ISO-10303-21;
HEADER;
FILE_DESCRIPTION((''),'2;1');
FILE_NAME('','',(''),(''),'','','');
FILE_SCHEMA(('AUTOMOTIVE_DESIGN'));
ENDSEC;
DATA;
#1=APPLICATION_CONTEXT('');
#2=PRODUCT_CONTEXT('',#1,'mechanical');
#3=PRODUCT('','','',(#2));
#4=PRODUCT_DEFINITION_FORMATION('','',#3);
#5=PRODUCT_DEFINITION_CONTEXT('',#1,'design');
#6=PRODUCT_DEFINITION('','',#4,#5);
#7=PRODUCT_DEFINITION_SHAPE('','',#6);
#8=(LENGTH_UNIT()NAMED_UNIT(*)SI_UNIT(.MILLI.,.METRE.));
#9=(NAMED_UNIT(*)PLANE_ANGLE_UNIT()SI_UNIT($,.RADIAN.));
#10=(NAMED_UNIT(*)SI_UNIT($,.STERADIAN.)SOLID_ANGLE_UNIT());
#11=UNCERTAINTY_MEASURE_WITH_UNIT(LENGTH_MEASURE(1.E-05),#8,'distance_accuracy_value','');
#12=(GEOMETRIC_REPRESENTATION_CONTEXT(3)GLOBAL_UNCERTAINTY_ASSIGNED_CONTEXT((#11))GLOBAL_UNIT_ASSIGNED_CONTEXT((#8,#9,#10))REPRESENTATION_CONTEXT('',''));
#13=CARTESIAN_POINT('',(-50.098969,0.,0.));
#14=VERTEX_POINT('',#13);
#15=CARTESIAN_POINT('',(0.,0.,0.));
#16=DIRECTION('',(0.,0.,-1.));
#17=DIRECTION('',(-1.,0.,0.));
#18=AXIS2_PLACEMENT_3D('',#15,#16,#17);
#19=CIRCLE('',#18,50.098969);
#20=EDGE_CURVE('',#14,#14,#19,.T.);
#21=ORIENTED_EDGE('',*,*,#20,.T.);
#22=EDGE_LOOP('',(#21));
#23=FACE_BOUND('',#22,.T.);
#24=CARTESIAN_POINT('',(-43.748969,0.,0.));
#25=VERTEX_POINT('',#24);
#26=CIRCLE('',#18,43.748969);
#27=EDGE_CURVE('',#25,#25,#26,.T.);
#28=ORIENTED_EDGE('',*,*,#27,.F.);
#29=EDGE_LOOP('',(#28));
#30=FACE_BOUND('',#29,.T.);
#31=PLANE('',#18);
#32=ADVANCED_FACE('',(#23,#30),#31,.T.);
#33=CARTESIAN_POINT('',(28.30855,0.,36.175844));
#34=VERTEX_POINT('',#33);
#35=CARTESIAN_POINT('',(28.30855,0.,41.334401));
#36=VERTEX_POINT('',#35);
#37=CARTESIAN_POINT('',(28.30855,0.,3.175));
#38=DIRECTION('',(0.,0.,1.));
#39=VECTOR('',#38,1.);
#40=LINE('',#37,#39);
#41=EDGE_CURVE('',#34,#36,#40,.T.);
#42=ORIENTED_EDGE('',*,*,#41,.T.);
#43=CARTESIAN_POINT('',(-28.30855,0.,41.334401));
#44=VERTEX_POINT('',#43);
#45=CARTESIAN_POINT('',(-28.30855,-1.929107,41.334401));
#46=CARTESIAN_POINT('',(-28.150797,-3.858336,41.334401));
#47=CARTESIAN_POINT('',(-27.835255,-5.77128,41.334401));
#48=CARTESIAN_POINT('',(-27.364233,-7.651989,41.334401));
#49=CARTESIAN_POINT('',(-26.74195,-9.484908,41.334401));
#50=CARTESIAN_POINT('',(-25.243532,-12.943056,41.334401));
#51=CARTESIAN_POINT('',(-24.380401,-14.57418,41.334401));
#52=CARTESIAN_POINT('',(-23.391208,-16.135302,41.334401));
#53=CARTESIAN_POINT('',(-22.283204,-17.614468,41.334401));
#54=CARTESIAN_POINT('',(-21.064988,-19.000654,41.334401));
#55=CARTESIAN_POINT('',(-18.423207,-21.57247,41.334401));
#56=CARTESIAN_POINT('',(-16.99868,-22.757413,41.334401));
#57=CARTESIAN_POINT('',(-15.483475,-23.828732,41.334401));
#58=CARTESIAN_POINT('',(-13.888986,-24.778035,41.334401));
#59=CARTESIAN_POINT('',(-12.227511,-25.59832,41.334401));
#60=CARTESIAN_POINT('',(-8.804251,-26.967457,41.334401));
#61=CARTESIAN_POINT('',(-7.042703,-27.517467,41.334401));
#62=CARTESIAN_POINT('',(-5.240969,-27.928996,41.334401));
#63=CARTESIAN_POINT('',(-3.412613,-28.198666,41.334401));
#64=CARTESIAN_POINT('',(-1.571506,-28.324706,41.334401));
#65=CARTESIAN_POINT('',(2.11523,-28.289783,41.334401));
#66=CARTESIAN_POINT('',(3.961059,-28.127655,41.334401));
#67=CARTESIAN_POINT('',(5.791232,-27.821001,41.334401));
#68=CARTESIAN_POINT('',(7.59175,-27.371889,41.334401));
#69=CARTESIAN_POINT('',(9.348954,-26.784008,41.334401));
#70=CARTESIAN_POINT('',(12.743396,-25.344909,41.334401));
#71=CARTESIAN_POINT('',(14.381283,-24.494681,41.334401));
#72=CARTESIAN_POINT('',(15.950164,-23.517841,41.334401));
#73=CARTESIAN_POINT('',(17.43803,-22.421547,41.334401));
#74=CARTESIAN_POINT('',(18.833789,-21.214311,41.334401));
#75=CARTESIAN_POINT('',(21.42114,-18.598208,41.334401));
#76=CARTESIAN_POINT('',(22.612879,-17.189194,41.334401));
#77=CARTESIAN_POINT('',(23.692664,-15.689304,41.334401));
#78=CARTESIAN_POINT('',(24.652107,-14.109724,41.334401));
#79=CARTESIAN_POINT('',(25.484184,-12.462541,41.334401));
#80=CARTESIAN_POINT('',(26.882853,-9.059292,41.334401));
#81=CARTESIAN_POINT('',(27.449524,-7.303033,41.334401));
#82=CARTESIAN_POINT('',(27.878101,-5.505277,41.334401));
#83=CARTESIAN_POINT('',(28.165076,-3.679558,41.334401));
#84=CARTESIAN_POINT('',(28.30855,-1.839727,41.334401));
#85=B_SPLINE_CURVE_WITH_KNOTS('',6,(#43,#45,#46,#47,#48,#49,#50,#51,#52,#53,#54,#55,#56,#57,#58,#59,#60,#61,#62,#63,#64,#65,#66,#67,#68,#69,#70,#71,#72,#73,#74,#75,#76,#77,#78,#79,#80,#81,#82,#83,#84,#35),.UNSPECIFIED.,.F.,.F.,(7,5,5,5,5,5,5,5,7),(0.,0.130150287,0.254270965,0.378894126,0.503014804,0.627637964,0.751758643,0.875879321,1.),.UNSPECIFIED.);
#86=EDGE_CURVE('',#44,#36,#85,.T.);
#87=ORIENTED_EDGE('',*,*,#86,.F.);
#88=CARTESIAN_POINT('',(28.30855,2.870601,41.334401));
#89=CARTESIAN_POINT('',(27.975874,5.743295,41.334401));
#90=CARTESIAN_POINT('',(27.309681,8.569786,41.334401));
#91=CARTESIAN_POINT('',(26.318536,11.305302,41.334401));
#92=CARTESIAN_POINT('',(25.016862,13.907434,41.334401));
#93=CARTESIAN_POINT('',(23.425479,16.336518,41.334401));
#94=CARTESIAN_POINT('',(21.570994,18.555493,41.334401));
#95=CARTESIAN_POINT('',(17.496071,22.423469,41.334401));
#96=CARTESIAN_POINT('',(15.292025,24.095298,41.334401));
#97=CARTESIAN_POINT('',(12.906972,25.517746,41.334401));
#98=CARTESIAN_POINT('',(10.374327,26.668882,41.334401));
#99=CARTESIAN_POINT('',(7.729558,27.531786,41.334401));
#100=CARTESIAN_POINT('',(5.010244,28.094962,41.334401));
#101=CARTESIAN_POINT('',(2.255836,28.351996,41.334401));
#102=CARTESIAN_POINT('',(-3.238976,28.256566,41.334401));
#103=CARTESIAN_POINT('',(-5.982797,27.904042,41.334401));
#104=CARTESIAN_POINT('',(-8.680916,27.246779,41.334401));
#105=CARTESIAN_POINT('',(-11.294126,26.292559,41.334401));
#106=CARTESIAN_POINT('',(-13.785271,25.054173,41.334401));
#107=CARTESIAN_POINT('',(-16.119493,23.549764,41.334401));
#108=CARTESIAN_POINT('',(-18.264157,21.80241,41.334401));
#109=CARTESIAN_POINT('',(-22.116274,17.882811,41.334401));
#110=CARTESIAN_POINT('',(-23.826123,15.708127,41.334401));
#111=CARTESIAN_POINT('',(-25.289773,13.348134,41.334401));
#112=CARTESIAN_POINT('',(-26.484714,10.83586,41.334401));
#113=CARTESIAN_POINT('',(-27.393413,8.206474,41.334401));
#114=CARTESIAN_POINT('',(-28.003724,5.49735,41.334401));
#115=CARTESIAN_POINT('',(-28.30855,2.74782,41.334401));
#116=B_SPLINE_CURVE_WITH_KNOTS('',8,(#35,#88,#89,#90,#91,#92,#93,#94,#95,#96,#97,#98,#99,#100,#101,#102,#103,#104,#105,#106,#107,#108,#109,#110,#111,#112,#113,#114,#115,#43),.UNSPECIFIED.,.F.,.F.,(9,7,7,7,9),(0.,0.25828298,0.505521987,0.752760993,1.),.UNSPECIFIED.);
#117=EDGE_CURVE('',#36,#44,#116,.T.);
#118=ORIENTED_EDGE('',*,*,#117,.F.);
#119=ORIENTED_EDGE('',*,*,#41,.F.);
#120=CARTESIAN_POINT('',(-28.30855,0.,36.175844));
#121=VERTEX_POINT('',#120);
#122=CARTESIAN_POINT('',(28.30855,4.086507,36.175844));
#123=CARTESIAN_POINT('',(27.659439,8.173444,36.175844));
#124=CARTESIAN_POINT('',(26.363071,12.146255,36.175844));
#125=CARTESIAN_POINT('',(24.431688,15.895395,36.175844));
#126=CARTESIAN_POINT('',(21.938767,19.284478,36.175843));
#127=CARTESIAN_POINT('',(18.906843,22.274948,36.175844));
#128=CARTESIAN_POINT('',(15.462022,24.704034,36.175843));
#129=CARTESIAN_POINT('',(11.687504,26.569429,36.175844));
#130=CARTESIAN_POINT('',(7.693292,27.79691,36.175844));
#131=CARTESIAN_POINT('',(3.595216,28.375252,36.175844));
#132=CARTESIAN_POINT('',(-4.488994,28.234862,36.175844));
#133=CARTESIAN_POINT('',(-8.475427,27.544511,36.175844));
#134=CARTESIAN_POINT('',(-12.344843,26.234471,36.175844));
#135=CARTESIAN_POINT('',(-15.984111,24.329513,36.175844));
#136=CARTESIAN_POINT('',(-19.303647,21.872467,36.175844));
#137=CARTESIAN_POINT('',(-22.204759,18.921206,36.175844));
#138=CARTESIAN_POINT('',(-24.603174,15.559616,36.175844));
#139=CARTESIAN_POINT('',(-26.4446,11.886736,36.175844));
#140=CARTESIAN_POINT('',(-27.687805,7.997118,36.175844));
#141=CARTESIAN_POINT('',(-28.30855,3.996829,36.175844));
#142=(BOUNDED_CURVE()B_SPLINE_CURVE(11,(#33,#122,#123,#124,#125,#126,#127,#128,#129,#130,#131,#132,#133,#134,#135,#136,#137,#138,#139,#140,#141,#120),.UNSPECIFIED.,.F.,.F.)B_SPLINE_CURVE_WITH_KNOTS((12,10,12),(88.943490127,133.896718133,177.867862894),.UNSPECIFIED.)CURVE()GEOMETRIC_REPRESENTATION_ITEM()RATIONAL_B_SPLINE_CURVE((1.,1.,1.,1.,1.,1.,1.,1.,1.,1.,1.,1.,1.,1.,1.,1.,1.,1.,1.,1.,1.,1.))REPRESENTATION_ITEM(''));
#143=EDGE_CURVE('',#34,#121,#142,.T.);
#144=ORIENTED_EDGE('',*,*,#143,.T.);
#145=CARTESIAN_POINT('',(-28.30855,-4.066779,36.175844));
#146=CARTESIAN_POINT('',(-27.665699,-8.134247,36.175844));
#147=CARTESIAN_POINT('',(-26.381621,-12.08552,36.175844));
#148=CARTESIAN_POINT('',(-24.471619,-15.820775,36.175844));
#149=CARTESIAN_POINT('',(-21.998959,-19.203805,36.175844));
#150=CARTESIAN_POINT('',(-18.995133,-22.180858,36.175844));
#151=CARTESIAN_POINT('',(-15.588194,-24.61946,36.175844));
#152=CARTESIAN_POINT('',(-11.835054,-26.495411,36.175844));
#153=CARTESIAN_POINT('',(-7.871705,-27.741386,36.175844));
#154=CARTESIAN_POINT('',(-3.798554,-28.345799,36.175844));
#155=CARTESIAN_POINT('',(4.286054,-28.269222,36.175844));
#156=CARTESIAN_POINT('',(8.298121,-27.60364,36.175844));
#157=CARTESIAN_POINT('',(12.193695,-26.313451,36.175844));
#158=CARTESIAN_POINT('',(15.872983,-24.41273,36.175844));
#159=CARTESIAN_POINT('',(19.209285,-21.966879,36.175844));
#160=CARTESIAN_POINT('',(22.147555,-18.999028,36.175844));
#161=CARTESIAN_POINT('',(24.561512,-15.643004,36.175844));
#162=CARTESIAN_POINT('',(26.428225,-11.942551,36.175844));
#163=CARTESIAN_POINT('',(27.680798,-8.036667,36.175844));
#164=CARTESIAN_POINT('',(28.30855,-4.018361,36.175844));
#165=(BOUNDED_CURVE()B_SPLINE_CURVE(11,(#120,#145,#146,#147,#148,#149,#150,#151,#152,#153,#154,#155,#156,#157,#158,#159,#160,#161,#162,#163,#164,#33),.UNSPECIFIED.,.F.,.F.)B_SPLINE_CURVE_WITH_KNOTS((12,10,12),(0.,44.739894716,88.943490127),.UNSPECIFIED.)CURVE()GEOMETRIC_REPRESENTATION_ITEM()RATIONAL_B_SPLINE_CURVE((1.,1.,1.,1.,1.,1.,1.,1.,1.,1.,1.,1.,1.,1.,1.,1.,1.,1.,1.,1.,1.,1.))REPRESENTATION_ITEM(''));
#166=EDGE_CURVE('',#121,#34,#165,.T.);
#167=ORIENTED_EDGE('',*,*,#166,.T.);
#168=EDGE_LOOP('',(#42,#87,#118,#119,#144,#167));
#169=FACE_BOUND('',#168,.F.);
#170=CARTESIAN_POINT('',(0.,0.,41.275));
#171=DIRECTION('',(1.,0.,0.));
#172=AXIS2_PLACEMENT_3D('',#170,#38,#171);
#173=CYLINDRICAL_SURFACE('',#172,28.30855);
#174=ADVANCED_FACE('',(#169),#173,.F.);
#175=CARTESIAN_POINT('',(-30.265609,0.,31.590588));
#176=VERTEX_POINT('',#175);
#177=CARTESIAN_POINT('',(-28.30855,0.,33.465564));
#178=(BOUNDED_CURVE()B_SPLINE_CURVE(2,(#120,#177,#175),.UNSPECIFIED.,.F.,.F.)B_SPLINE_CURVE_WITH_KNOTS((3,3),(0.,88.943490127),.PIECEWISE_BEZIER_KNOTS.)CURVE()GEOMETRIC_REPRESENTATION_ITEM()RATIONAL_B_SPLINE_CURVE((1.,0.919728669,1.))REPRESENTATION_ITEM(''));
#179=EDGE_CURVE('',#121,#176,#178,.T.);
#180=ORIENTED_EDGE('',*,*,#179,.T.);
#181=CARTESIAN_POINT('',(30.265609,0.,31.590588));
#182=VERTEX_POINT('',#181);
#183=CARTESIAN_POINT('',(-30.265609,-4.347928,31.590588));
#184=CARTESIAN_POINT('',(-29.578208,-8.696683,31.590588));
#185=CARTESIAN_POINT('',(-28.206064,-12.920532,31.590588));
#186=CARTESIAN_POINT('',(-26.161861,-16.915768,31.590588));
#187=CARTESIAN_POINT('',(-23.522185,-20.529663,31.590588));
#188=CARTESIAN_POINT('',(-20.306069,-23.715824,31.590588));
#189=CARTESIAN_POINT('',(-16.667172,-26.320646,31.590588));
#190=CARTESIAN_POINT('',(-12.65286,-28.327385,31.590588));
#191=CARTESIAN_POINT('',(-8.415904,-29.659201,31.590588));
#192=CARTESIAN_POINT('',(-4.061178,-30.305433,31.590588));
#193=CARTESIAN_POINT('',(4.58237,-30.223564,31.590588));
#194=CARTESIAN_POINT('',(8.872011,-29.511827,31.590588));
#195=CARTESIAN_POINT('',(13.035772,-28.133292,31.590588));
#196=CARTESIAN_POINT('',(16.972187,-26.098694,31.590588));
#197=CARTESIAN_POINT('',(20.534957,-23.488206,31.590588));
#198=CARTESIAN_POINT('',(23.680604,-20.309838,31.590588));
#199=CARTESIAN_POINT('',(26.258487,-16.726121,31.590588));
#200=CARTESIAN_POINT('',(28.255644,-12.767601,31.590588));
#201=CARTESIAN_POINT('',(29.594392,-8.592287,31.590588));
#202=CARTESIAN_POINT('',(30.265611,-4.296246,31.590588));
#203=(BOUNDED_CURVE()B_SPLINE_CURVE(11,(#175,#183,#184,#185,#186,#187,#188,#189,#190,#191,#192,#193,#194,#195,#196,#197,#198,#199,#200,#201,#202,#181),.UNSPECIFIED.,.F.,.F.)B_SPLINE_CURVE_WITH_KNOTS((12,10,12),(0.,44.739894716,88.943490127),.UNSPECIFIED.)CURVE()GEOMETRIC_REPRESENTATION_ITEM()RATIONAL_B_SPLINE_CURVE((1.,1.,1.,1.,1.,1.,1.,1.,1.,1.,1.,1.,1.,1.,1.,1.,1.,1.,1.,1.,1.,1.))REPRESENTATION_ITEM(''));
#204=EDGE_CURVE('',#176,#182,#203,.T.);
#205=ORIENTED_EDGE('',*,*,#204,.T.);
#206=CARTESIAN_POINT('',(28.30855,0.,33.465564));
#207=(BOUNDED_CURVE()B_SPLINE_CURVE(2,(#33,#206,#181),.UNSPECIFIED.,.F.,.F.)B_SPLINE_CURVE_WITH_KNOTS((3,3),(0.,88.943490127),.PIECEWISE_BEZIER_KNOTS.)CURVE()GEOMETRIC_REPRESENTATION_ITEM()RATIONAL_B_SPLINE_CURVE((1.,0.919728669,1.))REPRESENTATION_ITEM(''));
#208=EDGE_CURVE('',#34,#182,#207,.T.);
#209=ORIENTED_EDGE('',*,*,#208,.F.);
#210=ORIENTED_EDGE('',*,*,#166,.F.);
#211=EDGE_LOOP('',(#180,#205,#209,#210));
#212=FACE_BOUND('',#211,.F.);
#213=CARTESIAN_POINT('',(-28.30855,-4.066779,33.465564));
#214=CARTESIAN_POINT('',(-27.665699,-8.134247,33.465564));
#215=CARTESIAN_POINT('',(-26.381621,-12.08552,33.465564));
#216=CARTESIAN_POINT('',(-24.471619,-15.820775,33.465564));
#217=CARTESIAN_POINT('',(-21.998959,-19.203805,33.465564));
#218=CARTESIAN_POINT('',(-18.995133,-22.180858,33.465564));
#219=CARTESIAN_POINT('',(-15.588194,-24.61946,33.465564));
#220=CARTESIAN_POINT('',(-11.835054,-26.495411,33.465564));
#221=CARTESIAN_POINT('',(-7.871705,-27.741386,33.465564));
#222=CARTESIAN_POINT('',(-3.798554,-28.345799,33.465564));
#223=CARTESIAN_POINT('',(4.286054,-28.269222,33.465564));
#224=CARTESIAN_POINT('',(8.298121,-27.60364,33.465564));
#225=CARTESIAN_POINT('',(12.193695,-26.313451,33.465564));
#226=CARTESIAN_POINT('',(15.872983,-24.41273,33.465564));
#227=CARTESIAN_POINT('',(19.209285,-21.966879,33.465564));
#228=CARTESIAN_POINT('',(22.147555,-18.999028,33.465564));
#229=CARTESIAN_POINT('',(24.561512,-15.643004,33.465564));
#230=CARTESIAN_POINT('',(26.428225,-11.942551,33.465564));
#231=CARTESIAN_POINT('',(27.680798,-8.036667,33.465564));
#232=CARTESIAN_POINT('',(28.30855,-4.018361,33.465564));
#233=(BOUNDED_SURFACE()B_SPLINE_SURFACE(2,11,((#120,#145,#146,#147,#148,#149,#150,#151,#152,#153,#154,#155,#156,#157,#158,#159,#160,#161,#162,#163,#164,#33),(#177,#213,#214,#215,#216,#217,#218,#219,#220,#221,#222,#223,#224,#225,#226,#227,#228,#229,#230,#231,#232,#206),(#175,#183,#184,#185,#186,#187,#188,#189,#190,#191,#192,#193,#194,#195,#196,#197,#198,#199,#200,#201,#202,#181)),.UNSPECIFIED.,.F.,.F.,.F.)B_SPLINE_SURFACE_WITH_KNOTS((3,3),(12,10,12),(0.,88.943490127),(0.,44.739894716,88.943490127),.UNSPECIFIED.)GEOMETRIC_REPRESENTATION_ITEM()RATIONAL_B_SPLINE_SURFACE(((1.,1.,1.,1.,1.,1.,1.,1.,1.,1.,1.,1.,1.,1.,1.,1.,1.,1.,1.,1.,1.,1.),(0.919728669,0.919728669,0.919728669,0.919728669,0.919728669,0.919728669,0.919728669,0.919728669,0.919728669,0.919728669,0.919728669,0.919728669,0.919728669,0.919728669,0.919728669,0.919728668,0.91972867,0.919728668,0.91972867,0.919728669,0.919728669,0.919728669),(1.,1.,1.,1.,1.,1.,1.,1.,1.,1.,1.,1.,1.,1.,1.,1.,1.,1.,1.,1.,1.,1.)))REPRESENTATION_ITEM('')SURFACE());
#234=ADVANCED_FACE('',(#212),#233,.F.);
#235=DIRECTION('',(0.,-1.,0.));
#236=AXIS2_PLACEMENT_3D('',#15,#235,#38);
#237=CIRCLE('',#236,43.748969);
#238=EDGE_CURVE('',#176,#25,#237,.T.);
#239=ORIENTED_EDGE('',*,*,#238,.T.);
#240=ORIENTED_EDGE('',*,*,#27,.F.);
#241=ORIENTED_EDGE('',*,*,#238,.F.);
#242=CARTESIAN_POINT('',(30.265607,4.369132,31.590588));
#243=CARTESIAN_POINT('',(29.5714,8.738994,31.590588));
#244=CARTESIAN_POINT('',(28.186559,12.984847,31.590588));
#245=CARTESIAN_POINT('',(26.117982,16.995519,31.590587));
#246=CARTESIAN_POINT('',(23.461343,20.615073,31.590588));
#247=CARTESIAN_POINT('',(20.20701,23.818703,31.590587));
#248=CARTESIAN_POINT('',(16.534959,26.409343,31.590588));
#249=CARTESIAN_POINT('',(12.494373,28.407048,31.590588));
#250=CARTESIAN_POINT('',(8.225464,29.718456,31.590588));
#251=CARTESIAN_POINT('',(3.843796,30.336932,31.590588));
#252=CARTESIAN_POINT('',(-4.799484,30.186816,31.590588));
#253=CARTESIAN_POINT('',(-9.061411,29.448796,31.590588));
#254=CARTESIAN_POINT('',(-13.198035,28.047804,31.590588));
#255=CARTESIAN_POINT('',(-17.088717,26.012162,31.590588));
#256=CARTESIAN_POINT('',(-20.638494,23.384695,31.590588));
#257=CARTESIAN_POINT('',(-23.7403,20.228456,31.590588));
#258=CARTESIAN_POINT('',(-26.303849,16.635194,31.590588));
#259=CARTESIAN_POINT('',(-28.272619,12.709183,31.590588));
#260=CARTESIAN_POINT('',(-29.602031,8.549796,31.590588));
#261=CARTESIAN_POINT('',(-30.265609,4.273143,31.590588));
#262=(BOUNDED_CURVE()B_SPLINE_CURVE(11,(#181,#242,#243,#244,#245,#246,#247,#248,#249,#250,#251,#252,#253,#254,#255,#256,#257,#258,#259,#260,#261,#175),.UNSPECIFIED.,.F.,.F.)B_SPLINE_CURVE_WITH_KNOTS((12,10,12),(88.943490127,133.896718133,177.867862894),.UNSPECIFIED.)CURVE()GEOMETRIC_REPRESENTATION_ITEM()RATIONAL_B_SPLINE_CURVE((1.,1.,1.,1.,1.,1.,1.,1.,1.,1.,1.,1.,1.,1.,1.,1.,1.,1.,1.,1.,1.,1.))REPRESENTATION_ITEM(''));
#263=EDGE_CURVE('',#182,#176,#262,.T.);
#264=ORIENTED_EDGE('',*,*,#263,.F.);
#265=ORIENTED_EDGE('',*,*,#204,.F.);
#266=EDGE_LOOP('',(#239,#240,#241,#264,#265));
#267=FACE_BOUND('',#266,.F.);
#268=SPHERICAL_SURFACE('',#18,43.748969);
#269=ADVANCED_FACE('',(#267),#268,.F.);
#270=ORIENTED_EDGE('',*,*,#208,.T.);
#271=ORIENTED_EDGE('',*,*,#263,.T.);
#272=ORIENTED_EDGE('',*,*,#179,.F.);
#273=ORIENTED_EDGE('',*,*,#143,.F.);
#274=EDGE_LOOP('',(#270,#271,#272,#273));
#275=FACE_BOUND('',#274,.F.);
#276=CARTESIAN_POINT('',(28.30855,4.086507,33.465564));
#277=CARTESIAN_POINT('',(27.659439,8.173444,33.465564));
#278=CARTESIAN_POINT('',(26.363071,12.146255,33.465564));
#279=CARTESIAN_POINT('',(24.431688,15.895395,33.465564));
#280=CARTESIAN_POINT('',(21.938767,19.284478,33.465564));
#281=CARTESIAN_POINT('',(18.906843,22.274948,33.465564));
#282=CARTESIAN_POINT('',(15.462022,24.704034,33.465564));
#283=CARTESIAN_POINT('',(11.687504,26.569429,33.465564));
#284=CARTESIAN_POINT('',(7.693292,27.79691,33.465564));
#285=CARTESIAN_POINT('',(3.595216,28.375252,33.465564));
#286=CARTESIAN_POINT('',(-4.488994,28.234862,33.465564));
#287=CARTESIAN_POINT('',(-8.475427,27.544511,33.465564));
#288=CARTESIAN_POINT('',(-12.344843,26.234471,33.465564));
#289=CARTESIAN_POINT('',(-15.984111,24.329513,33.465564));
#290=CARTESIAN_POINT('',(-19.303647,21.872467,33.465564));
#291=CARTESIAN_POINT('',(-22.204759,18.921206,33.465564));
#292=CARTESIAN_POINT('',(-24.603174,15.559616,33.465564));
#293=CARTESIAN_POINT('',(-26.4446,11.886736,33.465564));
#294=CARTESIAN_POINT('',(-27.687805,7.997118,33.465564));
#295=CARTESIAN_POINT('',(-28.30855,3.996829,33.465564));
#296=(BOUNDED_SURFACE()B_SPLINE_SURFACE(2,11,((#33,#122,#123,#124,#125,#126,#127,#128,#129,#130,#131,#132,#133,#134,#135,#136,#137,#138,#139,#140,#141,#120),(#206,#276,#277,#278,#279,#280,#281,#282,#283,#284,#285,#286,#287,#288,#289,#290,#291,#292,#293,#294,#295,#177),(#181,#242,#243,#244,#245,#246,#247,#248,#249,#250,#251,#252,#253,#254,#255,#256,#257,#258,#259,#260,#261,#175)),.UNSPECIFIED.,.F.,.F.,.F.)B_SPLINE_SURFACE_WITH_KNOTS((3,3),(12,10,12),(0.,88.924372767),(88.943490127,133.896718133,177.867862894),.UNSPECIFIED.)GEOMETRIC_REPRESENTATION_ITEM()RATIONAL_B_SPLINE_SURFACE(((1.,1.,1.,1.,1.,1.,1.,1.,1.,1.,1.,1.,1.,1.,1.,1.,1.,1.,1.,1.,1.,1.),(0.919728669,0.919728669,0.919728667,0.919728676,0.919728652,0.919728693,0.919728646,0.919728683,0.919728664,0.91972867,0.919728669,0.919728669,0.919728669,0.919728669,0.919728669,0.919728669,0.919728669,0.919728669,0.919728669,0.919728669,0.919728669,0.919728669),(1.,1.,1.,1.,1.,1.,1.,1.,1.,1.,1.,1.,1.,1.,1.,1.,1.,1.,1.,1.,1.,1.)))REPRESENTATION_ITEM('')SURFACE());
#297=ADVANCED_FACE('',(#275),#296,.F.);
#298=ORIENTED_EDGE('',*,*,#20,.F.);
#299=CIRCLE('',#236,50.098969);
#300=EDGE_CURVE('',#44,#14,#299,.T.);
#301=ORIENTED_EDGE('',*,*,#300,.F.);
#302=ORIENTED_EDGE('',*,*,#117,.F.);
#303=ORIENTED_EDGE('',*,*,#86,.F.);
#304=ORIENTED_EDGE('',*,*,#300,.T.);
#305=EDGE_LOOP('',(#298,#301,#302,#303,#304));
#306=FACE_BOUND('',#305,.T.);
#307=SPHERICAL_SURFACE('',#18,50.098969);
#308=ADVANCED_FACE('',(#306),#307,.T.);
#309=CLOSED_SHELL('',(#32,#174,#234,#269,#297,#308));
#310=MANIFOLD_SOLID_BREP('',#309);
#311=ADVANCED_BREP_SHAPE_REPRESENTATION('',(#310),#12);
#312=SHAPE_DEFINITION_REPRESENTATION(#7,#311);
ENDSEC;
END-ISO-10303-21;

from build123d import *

# Parameters (mm, degrees)
F2_T     = -6.35
F4_R     = 28.3085495975
F5_DEPTH = 38.1
F6_R     = 6.35


with BuildPart() as f1:
    # F0 (on Front) → F1 (revolve)
    with BuildSketch(Plane.XZ):
        with BuildLine():
            Line((0, 0), (0, 50.0989693034))
            ThreePointArc((0, 50.0989693034), (-35.4253209249, 35.4253209249), (-50.0989693034, 0))
            Line((-50.0989693034, 0), (0, 0))
        make_face()
    revolve(axis=Axis((0, 0, 10.1562657768), (0, 0, -1)))

    # F2
    f2_openings = [f1.faces().sort_by_distance(p)[0] for p in [
        (0, 0, 0),
    ]]
    offset(amount=F2_T, openings=f2_openings)

    # F4 (on offset) → F5 (cut, symmetric)
    with BuildSketch(Plane.XY.offset(41.275)):
        Circle(F4_R)
    extrude(amount=F5_DEPTH, both=True, mode=Mode.SUBTRACT)

    # F6
    f6_edges = [f1.edges().sort_by_distance(p)[0] for p in [
        (0, -28.30855, 33.355634),
        (0, 28.30855, 33.355634),
    ]]
    fillet(f6_edges, radius=F6_R)


solid = f1.part
